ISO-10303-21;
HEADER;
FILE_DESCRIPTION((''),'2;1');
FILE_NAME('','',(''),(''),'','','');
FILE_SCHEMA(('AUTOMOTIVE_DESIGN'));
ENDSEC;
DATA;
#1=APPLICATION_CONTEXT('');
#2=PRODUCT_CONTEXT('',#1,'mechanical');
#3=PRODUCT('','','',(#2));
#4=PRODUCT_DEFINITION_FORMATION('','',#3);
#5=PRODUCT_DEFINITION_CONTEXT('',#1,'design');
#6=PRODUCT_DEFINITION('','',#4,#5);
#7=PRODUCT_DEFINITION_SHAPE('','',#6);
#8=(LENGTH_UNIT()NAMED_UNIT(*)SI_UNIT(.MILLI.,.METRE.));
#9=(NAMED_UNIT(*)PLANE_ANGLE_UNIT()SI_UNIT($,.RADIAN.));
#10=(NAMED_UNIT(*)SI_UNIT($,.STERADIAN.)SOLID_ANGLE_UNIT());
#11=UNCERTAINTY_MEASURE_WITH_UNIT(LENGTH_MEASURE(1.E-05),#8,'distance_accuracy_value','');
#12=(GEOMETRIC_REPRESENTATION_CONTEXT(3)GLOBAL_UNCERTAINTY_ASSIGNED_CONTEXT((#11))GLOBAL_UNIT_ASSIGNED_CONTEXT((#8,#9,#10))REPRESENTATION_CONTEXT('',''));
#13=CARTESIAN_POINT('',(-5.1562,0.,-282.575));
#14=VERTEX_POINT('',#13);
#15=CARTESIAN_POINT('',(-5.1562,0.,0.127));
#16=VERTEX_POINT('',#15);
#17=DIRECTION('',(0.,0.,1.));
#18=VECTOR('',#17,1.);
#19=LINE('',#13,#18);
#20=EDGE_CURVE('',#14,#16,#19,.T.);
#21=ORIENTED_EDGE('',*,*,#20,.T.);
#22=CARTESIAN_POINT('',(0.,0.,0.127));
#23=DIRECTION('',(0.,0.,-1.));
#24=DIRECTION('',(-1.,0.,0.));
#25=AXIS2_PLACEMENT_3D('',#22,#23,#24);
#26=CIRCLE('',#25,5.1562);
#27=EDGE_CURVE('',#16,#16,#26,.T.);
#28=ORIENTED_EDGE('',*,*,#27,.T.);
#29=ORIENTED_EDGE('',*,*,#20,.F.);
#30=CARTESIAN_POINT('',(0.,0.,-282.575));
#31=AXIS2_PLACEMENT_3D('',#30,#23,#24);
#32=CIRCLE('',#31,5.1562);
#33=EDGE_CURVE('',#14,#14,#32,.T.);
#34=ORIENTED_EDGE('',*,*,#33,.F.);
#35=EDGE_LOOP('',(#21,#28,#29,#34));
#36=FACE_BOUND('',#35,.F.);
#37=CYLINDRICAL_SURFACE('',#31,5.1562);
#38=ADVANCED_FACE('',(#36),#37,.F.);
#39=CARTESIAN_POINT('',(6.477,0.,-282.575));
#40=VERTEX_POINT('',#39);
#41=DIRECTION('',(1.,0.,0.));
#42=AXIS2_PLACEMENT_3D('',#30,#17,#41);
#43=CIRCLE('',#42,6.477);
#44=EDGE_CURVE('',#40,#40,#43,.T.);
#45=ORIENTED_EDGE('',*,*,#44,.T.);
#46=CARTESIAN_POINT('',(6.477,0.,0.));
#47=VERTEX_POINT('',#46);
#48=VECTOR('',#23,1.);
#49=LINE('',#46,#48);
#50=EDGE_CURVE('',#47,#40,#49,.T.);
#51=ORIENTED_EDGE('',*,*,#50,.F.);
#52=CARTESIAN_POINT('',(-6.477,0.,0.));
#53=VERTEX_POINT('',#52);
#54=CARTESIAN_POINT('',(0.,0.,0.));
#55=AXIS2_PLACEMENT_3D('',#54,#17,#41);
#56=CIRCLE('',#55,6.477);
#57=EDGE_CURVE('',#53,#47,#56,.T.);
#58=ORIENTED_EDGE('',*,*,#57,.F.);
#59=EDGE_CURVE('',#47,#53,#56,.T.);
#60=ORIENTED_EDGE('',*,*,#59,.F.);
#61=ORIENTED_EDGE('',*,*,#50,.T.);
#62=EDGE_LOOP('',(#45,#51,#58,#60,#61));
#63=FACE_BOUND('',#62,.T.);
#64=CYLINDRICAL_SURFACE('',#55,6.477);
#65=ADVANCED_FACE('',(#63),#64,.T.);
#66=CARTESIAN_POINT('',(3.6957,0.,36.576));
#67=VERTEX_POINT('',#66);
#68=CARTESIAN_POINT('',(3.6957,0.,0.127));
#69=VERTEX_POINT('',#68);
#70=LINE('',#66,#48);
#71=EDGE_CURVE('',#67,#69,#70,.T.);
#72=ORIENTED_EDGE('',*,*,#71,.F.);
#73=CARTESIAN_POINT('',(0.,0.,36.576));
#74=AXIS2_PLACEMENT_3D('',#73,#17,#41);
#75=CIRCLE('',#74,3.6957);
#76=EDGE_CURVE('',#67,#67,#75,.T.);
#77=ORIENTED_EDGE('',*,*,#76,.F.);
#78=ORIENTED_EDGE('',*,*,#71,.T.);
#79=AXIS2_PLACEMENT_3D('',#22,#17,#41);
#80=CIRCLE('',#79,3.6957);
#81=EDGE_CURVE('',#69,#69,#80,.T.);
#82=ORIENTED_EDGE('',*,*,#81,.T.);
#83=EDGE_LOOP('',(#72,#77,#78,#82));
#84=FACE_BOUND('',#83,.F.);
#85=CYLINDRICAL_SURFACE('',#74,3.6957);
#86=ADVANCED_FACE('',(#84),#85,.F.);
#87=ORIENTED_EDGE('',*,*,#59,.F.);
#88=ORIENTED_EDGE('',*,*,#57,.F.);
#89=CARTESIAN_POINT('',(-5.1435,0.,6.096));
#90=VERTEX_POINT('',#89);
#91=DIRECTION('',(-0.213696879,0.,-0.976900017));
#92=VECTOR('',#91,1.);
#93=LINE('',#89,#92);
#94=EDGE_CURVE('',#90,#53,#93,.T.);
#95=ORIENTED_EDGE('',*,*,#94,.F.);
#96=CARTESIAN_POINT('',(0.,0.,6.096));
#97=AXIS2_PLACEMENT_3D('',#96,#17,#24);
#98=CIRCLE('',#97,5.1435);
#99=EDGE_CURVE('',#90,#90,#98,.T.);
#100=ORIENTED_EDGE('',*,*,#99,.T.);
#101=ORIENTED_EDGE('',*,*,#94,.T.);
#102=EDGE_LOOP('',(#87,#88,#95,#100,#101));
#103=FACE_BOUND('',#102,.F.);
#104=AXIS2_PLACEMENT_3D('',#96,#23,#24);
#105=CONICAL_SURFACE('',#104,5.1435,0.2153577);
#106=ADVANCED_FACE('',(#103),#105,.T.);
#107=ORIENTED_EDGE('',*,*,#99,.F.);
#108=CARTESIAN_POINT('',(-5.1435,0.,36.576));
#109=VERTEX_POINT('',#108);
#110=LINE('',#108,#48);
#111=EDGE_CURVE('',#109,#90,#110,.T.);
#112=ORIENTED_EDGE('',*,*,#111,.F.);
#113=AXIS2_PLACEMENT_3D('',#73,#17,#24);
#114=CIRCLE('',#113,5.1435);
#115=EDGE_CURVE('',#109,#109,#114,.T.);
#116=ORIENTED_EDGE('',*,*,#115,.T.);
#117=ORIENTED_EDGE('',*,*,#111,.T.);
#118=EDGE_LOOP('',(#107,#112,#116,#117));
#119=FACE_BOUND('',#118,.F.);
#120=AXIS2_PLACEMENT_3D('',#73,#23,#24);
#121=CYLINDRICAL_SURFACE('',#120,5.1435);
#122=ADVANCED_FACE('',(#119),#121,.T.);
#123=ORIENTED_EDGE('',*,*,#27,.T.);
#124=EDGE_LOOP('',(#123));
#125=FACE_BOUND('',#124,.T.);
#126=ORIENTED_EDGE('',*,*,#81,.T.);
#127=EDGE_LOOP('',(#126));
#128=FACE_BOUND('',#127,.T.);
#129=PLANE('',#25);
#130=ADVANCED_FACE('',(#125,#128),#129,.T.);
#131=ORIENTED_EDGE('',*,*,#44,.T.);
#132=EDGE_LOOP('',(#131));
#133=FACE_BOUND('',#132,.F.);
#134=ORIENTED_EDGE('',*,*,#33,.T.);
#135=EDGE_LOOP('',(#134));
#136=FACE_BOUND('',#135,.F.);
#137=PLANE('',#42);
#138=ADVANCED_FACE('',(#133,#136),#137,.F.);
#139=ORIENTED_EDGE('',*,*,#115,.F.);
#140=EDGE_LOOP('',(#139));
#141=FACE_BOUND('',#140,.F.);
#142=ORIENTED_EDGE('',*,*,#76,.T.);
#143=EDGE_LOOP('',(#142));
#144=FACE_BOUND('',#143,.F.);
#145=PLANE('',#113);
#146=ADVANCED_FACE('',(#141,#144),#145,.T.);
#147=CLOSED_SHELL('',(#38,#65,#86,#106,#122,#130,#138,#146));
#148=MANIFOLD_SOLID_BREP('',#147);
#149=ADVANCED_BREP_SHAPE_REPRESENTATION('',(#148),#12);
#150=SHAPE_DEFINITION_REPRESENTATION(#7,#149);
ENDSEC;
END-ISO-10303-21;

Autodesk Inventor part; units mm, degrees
ref_plane "YZ Plane" through (0, 0, 0) normal (1, 0, 0) x (0, 1, 0)
ref_plane "XZ Plane" through (0, 0, 0) normal (0, 1, 0) x (-1, 0, 0)
ref_plane "XY Plane" through (0, 0, 0) normal (0, 0, 1) x (1, 0, 0)
sketch "Sketch1" plane through (0, 0, 0) normal (0, 0, 1) x (1, 0, 0)
  circle A0 centre (0, 0) radius 6.477
  dimension "d0" = 12.954
extrude "Extrusion1" add sketch "Sketch1" against normal blind 282.575
sketch "Sketch3" plane through (0, 0, 0) normal (0, 1, 0) x (-1, 0, 0)
  line L0 (-6.477, -282.575) -> (6.477, -282.575) projected
  line L1 (-6.477, 0) -> (6.477, 0) projected
  line L2 (6.477, 0) -> (6.477, -282.575) projected
  line L3 (-6.477, 0) -> (-6.477, -282.575) projected
  line L4 (0, 0) -> (0, 36.576)
  line L5 (5.1435, 36.576) -> (5.1435, 6.096)
  line L6 (0, 36.576) -> (5.1435, 36.576)
  line L7 (5.1435, 6.096) -> (6.477, 0)
  line L8 (6.477, 0) -> (0, 0)
  dimension "d3" = 36.576
  dimension "d4" = 5.1435
  dimension "d5" = 30.48
revolve "Revolution1" add sketch "Sketch3" angle 360 about axis through (0, 0, 0) along (0, 0, 1) contours L1 L4 L6 L5 L7
sketch "Sketch4" plane through (0, 0, 36.576) normal (0, 0, 1) x (1, 0, 0)
  circle A0 centre (0, 0) radius 5.1435 projected
  circle A1 centre (0, 0) radius 3.6957
  dimension "d7" = 7.3914
extrude "Extrusion2" cut sketch "Sketch4" against normal blind 36.576 contours A1
sketch "Sketch5" plane through (0, 0, -282.575) normal (0, 0, -1) x (-1, 0, 0)
  circle A0 centre (0, 0) radius 6.477 projected
  circle A1 centre (0, 0) radius 5.1562
  dimension "d10" = 10.3124
extrude "Extrusion3" cut sketch "Sketch5" against normal blind 282.702 contours A1
properties part number "Cane Segment"
